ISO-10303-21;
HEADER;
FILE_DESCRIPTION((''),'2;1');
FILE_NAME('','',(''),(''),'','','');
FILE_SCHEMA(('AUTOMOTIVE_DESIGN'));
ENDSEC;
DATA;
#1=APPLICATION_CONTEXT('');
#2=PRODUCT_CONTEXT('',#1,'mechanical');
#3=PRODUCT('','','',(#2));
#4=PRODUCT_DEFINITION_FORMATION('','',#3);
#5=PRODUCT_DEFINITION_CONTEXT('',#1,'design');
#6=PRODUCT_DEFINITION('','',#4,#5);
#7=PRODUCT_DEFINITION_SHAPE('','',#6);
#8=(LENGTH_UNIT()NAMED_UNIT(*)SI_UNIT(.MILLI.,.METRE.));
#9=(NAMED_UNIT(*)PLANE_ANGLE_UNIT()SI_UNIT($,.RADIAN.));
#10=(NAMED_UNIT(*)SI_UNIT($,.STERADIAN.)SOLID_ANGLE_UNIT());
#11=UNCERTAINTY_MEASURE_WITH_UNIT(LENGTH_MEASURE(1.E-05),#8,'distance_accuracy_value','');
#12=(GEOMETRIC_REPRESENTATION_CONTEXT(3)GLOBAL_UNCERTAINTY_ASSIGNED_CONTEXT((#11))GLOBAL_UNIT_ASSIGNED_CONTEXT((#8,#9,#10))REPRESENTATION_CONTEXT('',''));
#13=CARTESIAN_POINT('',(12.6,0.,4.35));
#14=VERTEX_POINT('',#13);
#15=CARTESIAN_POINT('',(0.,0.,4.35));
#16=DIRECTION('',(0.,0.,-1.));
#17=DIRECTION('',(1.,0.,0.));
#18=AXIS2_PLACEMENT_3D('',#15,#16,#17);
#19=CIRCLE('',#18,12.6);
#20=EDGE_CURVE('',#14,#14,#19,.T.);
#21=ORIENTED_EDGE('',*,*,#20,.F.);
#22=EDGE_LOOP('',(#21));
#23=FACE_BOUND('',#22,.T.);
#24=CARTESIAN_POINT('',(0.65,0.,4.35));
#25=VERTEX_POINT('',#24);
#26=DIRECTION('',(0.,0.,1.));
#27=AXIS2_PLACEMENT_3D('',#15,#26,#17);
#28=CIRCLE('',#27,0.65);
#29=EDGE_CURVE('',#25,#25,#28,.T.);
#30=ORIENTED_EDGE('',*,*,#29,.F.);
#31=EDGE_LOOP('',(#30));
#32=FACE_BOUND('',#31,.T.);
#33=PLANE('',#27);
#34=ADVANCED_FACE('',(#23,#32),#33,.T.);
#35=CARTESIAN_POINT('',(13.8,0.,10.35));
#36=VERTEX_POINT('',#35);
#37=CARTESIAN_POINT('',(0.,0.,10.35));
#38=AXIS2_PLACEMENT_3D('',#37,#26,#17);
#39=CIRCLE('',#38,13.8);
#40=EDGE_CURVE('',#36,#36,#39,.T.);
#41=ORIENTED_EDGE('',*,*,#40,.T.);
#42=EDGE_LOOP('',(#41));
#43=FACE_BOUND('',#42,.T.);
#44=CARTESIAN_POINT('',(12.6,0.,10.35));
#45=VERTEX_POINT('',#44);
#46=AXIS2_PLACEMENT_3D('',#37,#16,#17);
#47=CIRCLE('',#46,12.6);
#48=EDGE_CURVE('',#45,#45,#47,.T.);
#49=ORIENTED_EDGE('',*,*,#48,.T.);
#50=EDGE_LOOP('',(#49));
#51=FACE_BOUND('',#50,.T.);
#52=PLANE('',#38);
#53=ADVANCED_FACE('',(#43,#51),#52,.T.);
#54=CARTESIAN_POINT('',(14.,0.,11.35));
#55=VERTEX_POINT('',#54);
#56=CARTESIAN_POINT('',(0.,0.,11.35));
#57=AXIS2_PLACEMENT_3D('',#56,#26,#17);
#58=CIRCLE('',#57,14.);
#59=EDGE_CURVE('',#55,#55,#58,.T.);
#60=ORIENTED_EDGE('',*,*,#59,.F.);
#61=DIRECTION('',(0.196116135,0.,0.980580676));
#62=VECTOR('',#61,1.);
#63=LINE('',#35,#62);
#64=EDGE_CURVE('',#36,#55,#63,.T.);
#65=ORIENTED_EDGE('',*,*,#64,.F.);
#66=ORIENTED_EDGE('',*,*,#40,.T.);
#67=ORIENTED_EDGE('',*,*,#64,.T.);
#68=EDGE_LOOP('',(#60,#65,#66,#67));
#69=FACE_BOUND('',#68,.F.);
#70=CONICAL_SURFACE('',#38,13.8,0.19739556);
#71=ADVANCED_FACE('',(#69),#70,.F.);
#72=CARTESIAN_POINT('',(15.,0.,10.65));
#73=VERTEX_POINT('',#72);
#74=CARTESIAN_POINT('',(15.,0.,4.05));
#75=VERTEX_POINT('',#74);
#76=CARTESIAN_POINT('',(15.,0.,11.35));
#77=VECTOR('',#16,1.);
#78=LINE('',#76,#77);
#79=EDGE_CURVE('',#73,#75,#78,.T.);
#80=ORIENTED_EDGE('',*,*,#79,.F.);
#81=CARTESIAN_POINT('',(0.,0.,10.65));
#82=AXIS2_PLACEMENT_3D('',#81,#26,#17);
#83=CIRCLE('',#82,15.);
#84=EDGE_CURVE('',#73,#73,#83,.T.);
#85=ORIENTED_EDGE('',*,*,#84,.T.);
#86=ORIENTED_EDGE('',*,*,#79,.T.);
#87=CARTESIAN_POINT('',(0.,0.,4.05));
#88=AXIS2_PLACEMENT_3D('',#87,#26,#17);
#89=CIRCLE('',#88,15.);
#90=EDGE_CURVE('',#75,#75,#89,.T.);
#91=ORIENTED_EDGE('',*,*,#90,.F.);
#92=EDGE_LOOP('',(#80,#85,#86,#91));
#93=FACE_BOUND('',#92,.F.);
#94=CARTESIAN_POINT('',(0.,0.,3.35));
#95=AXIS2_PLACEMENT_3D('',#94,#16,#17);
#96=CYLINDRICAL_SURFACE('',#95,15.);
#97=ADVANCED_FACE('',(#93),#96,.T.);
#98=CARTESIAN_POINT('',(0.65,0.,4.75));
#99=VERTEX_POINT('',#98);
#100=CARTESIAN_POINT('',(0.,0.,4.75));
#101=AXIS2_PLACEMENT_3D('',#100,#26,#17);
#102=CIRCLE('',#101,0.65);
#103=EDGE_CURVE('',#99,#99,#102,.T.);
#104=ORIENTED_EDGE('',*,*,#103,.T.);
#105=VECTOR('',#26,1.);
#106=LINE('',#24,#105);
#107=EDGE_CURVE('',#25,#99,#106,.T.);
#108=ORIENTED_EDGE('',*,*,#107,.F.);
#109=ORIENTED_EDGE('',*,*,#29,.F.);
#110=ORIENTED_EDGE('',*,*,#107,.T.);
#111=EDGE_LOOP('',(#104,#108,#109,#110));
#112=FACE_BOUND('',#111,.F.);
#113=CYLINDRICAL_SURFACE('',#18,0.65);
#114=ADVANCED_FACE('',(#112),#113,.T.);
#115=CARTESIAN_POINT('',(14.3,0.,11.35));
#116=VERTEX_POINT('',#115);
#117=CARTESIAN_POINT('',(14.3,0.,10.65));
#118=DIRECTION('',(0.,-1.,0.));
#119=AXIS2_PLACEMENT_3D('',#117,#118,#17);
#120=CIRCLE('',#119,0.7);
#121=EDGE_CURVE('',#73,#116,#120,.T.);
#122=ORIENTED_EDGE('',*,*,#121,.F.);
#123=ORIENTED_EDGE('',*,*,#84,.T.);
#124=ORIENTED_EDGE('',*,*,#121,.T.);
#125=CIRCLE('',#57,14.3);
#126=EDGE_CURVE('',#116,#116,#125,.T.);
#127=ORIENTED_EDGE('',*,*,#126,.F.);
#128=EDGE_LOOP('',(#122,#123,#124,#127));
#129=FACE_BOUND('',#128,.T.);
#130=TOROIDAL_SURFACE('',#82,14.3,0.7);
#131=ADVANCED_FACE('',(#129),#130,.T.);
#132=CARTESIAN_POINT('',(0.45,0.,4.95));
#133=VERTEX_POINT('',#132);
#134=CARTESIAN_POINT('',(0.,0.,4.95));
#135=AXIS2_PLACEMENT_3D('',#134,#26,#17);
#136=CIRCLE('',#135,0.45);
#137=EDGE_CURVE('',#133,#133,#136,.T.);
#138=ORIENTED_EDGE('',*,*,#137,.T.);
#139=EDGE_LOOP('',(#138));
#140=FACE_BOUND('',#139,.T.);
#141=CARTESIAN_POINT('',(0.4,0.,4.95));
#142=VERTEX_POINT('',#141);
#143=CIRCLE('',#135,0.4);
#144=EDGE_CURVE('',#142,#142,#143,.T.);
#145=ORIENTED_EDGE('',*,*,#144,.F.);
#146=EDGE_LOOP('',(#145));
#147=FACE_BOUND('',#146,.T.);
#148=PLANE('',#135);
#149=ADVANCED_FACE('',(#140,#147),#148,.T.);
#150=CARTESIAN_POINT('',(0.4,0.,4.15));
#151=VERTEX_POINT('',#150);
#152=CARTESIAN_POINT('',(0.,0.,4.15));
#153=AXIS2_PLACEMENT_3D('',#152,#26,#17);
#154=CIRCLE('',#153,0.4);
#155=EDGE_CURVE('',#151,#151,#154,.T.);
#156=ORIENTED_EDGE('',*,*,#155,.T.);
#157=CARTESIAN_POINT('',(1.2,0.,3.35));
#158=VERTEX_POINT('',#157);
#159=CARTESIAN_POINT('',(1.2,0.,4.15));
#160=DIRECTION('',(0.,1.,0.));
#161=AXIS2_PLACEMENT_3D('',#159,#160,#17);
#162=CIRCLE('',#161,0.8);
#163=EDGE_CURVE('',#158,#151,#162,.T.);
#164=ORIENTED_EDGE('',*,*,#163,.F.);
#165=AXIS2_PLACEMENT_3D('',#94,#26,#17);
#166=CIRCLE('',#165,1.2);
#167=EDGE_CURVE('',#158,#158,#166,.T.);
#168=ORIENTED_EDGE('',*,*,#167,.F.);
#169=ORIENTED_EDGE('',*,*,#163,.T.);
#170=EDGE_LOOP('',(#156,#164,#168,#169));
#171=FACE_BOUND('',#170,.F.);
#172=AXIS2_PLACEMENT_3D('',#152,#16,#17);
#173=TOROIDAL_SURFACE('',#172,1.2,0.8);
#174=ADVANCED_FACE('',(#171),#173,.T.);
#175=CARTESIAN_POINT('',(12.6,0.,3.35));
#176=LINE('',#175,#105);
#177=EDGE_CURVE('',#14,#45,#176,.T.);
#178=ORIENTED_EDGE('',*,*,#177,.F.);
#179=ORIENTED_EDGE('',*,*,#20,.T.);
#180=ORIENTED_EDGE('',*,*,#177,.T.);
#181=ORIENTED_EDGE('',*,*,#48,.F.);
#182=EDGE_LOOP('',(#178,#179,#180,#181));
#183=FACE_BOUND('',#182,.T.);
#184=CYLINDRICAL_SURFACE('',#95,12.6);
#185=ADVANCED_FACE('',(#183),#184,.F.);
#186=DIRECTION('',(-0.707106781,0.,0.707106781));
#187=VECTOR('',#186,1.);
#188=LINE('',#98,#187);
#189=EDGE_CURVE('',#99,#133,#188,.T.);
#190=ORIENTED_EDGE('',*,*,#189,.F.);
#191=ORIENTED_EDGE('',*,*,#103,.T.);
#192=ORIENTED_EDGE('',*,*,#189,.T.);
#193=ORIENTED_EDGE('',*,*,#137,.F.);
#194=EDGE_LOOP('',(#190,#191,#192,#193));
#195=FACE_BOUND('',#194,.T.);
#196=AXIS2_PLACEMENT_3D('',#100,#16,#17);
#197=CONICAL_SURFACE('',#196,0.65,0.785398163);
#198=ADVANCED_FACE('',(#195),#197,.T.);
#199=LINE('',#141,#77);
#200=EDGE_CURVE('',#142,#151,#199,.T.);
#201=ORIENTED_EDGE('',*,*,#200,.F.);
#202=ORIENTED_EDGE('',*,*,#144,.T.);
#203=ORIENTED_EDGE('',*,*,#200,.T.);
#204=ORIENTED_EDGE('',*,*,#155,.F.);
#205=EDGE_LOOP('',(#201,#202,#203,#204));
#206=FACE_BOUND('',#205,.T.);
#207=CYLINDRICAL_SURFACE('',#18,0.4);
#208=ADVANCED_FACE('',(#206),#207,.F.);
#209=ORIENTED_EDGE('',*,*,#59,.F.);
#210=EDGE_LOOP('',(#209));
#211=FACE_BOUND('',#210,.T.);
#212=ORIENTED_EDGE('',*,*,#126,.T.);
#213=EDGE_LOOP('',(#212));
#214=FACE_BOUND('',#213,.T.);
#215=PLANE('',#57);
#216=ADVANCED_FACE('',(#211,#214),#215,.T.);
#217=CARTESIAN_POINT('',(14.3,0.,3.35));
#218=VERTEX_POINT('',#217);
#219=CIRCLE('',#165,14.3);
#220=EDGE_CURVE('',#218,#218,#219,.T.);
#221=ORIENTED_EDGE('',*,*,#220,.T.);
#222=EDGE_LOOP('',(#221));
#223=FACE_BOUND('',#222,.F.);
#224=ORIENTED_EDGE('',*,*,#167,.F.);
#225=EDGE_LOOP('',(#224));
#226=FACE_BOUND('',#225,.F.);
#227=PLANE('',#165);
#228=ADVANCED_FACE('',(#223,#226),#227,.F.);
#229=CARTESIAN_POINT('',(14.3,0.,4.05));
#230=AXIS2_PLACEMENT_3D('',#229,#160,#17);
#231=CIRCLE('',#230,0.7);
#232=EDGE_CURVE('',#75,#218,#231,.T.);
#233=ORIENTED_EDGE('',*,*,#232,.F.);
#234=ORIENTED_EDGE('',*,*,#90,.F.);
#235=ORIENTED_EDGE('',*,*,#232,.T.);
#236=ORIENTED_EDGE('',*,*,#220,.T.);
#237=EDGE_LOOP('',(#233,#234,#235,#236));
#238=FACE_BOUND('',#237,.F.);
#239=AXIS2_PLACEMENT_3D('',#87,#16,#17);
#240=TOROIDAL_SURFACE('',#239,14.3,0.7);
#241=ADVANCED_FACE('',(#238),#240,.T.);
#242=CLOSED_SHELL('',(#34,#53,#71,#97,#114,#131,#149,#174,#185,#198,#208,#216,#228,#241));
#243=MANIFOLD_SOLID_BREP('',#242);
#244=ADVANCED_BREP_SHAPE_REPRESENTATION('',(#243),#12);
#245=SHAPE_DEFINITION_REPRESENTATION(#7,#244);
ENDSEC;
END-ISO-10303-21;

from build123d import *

# Parameters (mm, degrees)
CYLINDER006_R     = 14
CYLINDER006_DEPTH = 1
CYLINDER005_R     = 0.4
CYLINDER005_DEPTH = 1
CYLINDER001_R     = 12.6
CYLINDER001_DEPTH = 8
CYLINDER_R        = 15
CYLINDER_DEPTH    = 8
CYLINDER002_R     = 15
CYLINDER002_DEPTH = 1
FILLET_R          = 0.7
FILLET001_R       = 0.7
FILLET002_R       = 0.8
CYLINDER004_R     = 0.4
CYLINDER004_DEPTH = 0.6
CYLINDER003_R     = 0.65
CYLINDER003_DEPTH = 0.6
CHAMFER_SIZE      = 0.2
CYLINDER007_R     = 14
CYLINDER007_DEPTH = 1


with BuildPart() as cylinder006:
    # Cylinder006 → Cylinder006 (new body)
    with BuildSketch(Plane.XY.offset(7)):
        Circle(CYLINDER006_R)
    extrude(amount=CYLINDER006_DEPTH)


with BuildPart() as cylinder005:
    # Cylinder005 → Cylinder005 (new body)
    with BuildSketch(Plane.XY):
        Circle(CYLINDER005_R)
    extrude(amount=CYLINDER005_DEPTH)


with BuildPart() as cylinder001:
    # Cylinder001 → Cylinder001 (new body)
    with BuildSketch(Plane.XY):
        Circle(CYLINDER001_R)
    extrude(amount=CYLINDER001_DEPTH)


with BuildPart() as cut:
    # Cylinder → Cylinder (new body)
    with BuildSketch(Plane.XY):
        Circle(CYLINDER_R)
    extrude(amount=CYLINDER_DEPTH)

    # Cut: cut Cylinder001
    add(cylinder001.part, mode=Mode.SUBTRACT)


with BuildPart() as fillet002:
    # Cylinder002 → Cylinder002 (new body)
    with BuildSketch(Plane.XY):
        Circle(CYLINDER002_R)
    extrude(amount=CYLINDER002_DEPTH)

    # Fusion: union Cut
    add(cut.part)

    # Cut001: cut Cylinder005
    add(cylinder005.part, mode=Mode.SUBTRACT)

    # Cut003: cut Cylinder006
    add(cylinder006.part, mode=Mode.SUBTRACT)

    # Fillet
    fillet_edges = [fillet002.edges().sort_by_distance(p)[0] for p in [
        (-15, 0, 8),
    ]]
    fillet(fillet_edges, radius=FILLET_R)

    # Fillet001
    fillet001_edges = [fillet002.edges().sort_by_distance(p)[0] for p in [
        (-15, 0, 0),
    ]]
    fillet(fillet001_edges, radius=FILLET001_R)

    # Fillet002
    fillet002_edges = [fillet002.edges().sort_by_distance(p)[0] for p in [
        (-0.4, 0, 0),
    ]]
    fillet(fillet002_edges, radius=FILLET002_R)


with BuildPart() as cylinder004:
    # Cylinder004 → Cylinder004 (new body)
    with BuildSketch(Plane.XY.offset(1)):
        Circle(CYLINDER004_R)
    extrude(amount=CYLINDER004_DEPTH)


with BuildPart() as chamfer_body:
    # Cylinder003 → Cylinder003 (new body)
    with BuildSketch(Plane.XY.offset(1)):
        Circle(CYLINDER003_R)
    extrude(amount=CYLINDER003_DEPTH)

    # Cut002: cut Cylinder004
    add(cylinder004.part, mode=Mode.SUBTRACT)

    # Chamfer
    chamfer_edges = [chamfer_body.edges().sort_by_distance(p)[0] for p in [
        (-0.65, 0, 1.6),
    ]]
    chamfer(chamfer_edges, length=CHAMFER_SIZE)


with BuildPart() as cone:
    # Cone → Cone (revolve)
    with BuildSketch(Plane(origin=(0, 0, 7), x_dir=(1, 0, 0), z_dir=(0, -1, 0))):
        Polygon((0, 0), (13.8, 0), (14, 1), (0, 1), align=None)
    revolve(axis=Axis((0, 0, 7), (0, 0, 1)))


with BuildPart() as fusion001:
    # Cylinder007 → Cylinder007 (new body)
    with BuildSketch(Plane.XY.offset(7)):
        Circle(CYLINDER007_R)
    extrude(amount=CYLINDER007_DEPTH)

    # Cut004: cut Cone
    add(cone.part, mode=Mode.SUBTRACT)

    # Fusion001: union Fillet002, Chamfer body
    add(fillet002.part)
    add(chamfer_body.part)


with BuildPart() as fusion001_1:
    # Fusion001 placement: moved
    add(fusion001.part.moved(Location((0, 0, 3.35))))


solid = fusion001_1.part
